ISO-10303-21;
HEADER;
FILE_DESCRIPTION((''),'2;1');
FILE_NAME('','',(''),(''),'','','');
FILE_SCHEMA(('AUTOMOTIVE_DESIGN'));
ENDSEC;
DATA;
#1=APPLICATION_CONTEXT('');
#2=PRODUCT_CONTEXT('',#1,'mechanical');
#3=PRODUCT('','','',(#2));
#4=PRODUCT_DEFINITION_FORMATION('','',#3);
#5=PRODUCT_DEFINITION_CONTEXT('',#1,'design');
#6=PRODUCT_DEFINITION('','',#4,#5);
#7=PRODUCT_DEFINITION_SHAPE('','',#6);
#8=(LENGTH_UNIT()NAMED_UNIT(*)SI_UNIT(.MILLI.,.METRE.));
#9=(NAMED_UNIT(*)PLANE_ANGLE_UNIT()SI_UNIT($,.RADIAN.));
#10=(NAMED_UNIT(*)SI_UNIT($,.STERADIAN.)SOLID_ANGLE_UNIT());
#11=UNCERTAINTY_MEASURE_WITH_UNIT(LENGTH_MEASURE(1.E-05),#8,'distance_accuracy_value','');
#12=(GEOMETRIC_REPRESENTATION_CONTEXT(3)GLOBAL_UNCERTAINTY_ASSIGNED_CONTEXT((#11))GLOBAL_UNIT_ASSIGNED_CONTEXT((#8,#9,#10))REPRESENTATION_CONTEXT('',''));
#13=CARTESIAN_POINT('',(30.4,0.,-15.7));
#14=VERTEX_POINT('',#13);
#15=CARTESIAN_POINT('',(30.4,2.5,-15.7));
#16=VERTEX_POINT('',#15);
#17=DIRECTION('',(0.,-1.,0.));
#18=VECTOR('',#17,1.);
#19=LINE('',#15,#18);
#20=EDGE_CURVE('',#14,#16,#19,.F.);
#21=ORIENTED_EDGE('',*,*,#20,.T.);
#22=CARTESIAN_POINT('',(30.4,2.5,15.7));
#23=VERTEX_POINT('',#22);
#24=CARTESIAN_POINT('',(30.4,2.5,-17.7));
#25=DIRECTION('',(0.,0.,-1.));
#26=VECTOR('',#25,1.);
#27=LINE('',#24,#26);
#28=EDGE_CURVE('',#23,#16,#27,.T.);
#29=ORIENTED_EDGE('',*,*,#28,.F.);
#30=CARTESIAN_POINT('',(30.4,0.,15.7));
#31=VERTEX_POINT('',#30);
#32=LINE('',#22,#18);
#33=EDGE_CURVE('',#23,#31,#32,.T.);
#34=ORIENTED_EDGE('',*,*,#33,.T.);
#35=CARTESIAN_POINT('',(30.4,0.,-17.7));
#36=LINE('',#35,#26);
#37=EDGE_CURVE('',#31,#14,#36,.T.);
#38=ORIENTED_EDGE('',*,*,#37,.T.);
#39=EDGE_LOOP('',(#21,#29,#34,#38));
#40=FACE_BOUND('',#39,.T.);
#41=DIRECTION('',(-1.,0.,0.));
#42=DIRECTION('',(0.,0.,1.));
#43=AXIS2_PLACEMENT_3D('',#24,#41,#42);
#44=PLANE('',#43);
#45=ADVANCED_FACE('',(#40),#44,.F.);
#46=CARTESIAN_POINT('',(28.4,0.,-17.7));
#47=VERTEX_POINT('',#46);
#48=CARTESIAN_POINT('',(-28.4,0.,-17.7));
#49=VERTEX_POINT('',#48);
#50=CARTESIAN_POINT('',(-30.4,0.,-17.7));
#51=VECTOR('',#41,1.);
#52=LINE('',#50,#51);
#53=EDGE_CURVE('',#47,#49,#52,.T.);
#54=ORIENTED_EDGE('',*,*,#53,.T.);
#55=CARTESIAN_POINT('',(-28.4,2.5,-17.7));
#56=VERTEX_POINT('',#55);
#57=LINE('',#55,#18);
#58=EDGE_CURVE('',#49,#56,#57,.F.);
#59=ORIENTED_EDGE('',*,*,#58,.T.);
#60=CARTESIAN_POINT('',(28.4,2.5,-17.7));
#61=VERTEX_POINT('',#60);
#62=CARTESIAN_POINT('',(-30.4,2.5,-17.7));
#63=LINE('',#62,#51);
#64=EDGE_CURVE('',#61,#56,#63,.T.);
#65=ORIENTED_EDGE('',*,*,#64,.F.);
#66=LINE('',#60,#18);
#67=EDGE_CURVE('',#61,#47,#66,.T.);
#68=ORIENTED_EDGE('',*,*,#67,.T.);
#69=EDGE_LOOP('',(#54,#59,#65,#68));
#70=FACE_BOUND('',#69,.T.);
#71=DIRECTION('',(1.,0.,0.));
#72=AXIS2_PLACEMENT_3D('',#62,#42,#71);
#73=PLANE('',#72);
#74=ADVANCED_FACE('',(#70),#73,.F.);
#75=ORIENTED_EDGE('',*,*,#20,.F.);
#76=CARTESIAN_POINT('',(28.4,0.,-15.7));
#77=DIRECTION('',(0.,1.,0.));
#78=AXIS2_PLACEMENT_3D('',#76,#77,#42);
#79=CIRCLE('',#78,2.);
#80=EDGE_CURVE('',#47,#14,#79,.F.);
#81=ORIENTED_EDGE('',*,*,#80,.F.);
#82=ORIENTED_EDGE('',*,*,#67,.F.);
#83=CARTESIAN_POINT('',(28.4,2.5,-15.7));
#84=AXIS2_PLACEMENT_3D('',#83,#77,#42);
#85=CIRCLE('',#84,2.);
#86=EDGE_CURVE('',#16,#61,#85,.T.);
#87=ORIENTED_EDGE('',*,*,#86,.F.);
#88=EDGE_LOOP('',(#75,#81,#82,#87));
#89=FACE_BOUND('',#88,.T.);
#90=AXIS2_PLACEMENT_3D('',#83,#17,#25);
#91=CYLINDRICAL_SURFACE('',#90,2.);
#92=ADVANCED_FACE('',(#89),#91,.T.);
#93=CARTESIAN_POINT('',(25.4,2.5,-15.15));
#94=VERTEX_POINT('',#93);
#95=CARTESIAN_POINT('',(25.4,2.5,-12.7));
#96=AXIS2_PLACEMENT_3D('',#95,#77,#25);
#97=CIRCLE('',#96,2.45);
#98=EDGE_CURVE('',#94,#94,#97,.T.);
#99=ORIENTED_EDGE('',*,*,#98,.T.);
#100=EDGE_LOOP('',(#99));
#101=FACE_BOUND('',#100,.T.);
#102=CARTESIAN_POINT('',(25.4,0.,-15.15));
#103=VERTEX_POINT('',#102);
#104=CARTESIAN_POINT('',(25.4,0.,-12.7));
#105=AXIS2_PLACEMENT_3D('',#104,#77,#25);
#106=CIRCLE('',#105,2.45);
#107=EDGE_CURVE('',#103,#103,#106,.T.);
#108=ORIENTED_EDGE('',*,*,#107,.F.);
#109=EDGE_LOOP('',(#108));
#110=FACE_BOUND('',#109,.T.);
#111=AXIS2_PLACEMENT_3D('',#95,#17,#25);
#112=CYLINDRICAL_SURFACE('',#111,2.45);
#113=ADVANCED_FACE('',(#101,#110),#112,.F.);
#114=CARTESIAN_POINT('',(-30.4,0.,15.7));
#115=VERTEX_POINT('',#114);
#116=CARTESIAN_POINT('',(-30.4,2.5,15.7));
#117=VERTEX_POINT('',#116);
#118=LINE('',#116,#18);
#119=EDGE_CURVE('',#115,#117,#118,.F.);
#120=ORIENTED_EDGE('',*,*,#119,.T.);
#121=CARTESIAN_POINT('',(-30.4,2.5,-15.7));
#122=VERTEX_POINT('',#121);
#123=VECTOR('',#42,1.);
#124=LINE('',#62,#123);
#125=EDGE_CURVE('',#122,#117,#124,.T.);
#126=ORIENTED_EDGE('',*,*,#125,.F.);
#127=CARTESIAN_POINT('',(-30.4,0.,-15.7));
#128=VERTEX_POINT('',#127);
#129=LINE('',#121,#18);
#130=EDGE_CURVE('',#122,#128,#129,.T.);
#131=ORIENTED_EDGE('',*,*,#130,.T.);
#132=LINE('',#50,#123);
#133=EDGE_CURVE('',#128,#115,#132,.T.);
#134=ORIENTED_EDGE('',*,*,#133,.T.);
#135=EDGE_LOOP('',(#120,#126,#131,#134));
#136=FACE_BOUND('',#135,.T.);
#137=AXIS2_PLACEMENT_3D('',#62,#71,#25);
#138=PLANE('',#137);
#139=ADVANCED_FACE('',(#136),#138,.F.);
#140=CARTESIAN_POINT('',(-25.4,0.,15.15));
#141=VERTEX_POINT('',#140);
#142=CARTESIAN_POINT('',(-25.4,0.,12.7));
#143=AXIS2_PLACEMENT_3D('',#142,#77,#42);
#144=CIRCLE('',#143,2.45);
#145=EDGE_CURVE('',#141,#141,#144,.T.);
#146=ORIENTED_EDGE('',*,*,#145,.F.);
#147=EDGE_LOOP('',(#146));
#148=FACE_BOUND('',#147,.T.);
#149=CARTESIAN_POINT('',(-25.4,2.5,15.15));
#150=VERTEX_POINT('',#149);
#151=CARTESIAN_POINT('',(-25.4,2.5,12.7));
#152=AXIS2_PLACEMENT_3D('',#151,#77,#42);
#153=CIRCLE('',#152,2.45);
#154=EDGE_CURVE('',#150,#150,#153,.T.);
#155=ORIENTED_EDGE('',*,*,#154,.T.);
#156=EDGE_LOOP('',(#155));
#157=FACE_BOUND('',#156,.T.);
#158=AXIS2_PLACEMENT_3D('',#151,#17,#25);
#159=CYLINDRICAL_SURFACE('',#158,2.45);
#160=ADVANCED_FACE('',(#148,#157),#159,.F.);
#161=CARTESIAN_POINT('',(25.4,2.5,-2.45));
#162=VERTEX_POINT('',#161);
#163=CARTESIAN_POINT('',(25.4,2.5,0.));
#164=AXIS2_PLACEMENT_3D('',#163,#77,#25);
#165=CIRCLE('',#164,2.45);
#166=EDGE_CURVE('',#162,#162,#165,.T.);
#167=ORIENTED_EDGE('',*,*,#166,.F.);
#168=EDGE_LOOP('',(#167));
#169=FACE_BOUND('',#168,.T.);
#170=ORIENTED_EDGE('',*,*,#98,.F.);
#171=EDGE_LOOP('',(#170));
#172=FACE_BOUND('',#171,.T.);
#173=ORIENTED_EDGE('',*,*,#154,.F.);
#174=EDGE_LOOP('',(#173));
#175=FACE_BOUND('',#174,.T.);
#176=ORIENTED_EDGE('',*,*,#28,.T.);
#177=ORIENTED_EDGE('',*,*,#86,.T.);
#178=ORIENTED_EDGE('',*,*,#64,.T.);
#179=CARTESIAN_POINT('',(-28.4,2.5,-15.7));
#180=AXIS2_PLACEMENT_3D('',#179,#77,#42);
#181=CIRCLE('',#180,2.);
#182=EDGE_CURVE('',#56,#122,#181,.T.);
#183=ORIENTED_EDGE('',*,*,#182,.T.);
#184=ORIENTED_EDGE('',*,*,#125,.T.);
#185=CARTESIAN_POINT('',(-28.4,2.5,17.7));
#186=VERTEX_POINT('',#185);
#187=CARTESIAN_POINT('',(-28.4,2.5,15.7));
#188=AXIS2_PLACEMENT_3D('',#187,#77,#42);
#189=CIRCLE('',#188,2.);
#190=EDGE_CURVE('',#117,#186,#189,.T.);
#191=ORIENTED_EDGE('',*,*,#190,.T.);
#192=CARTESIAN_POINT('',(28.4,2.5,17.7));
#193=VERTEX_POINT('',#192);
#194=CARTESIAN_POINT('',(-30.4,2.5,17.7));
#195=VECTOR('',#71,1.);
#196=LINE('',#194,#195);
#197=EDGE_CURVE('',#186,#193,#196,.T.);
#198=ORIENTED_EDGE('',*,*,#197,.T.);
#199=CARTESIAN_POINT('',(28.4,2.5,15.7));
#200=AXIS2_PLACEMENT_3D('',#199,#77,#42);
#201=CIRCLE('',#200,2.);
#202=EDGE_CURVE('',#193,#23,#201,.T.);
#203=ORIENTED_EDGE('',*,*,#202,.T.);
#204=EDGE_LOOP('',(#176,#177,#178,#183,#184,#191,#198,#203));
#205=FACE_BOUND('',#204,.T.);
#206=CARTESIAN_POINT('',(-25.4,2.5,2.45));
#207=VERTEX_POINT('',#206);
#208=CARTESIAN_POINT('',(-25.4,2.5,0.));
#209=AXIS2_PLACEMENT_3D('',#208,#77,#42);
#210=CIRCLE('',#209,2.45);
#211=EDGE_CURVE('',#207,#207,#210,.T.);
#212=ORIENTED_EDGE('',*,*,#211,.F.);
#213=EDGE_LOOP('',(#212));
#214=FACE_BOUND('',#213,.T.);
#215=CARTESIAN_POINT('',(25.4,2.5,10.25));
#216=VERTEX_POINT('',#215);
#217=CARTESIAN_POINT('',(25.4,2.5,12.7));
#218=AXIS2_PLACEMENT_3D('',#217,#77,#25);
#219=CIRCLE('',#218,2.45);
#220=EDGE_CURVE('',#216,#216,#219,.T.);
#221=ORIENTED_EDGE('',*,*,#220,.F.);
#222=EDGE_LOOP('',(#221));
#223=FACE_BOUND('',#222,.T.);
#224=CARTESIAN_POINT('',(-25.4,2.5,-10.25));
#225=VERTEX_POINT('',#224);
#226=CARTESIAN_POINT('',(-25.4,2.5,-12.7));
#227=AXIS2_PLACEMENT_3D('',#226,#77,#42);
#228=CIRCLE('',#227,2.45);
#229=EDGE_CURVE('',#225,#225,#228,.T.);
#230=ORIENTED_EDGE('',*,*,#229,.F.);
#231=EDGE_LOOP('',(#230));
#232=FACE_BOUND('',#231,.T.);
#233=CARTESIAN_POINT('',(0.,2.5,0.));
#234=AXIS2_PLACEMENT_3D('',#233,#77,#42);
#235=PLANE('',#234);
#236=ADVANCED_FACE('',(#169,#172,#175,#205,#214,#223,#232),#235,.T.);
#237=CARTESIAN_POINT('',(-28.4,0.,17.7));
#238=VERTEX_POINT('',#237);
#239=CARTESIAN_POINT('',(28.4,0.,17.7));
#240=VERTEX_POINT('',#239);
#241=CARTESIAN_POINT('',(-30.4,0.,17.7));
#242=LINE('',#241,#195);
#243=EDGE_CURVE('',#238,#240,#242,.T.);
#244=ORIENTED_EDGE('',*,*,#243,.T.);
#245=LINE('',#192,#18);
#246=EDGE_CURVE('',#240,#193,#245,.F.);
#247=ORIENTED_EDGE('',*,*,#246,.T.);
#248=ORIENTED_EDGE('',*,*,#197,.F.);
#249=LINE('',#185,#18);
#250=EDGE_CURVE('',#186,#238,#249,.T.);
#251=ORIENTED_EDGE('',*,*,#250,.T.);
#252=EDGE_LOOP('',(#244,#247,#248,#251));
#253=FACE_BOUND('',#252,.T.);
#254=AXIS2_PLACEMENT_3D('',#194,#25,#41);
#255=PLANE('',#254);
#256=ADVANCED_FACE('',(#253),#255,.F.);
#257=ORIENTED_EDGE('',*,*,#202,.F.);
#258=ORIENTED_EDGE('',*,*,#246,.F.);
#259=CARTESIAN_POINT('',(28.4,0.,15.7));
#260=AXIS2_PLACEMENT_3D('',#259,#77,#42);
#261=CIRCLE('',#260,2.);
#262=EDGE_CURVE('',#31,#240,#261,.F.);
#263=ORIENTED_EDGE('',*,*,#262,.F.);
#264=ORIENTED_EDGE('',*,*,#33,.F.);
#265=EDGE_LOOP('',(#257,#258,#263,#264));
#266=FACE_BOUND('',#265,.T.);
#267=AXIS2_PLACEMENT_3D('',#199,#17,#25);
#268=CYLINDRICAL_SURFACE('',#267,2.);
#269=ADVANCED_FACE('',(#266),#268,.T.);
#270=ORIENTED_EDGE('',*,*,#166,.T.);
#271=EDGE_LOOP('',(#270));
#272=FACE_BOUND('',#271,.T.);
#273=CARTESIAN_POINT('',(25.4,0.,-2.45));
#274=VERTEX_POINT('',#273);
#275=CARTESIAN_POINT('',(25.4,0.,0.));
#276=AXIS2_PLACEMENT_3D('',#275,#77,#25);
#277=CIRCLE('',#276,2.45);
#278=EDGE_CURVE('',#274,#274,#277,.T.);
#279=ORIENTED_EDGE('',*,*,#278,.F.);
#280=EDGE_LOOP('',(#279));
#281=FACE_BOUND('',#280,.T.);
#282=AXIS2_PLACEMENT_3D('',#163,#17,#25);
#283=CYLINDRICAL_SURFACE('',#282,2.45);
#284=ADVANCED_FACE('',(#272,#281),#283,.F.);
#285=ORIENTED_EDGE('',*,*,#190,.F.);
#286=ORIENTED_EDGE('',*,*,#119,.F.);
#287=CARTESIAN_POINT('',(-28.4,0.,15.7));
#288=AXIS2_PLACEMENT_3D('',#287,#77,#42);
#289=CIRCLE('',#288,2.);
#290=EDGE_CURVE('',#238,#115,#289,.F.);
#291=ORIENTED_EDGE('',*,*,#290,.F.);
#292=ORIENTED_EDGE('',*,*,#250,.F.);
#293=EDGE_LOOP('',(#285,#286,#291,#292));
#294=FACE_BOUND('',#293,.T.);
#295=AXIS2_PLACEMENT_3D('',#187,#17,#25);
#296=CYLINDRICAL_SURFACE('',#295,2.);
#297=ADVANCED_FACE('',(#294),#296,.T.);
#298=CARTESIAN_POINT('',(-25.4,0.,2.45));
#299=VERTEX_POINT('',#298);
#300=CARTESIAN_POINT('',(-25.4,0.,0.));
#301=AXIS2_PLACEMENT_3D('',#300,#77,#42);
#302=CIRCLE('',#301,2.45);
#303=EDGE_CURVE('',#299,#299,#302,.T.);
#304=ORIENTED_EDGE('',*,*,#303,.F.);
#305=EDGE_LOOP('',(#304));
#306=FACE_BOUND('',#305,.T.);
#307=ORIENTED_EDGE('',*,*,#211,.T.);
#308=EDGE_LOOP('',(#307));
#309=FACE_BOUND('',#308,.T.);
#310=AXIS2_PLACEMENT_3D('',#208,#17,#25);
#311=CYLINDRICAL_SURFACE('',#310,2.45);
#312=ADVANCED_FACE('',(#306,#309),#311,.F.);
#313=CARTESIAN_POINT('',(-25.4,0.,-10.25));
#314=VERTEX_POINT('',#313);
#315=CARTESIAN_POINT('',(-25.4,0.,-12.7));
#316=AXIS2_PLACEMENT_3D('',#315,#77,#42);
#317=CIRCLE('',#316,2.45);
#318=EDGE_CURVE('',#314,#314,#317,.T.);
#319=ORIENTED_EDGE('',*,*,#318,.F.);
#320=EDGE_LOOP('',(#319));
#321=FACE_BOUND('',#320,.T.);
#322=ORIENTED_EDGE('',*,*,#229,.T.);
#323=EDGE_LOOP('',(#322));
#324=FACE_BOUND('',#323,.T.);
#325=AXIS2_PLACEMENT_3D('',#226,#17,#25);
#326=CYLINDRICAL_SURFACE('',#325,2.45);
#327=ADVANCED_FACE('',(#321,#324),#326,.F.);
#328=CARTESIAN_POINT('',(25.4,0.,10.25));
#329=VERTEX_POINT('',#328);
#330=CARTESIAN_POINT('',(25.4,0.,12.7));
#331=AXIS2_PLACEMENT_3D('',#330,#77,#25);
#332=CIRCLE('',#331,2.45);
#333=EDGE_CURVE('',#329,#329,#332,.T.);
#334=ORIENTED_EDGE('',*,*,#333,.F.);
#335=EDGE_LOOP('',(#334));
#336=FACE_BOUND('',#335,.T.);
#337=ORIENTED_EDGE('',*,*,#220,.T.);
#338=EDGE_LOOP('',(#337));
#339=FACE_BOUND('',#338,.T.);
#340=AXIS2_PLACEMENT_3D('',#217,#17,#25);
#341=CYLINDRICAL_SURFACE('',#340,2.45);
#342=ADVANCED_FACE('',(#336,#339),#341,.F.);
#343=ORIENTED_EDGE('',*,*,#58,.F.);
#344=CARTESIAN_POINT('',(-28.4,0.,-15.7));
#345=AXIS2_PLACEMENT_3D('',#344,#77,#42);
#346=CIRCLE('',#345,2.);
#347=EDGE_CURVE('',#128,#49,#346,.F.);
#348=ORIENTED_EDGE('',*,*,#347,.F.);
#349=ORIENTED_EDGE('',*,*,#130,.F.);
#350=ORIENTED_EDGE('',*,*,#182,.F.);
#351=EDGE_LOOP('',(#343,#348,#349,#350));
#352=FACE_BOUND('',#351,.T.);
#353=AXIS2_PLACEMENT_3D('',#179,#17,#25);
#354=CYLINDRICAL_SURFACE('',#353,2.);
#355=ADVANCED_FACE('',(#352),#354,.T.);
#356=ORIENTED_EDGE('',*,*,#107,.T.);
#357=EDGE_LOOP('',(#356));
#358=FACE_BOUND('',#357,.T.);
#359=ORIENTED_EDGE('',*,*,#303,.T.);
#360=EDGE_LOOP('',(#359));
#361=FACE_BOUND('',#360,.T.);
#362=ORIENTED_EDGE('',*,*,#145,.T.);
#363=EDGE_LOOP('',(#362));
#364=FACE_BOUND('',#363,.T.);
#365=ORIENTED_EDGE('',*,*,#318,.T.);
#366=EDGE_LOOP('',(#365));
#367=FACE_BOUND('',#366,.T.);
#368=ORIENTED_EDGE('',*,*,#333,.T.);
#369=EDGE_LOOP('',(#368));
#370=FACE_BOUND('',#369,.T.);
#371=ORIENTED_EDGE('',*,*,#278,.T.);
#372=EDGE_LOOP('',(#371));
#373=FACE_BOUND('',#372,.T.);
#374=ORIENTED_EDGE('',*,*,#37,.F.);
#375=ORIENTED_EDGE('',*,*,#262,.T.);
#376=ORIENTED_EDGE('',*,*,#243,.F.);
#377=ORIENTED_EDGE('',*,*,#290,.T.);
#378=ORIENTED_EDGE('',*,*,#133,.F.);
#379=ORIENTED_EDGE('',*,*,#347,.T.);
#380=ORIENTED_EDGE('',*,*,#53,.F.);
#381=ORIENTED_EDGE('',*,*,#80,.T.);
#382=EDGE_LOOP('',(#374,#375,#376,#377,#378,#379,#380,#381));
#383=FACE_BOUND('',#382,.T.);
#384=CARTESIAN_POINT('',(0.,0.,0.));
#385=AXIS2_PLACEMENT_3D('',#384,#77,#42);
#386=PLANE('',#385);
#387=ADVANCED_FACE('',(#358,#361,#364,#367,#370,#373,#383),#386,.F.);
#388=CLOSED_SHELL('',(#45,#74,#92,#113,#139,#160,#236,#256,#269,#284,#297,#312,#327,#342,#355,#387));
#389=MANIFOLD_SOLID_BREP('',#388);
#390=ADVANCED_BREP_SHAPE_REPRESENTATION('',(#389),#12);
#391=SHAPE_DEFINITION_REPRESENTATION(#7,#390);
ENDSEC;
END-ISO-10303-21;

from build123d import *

# Parameters (mm, degrees)
CROQUIS1_W              = 60.8
CROQUIS1_H              = 35.4
CROQUIS1_R              = 2.45
SALIENTE_EXTRUIR1_DEPTH = 2.5
REDONDEO1_R             = 2


with BuildPart() as part:
    # Croquis1 → Saliente-Extruir1 (new body)
    with BuildSketch(Plane(origin=(0, 0, 0), x_dir=(1, 0, 0), z_dir=(0, 1, 0))):
        Rectangle(CROQUIS1_W, CROQUIS1_H)
        with Locations(Location((-25.4, 12.7, 0), (0, 0, 270))):
            Circle(CROQUIS1_R, mode=Mode.SUBTRACT)
        with Locations(Location((-25.4, 0, 0), (0, 0, 270))):
            Circle(CROQUIS1_R, mode=Mode.SUBTRACT)
        with Locations(Location((-25.4, -12.7, 0), (0, 0, 270))):
            Circle(CROQUIS1_R, mode=Mode.SUBTRACT)
        with Locations(Location((25.4, -12.7, 0), (0, 0, 90))):
            Circle(CROQUIS1_R, mode=Mode.SUBTRACT)
        with Locations(Location((25.4, 0, 0), (0, 0, 90))):
            Circle(CROQUIS1_R, mode=Mode.SUBTRACT)
        with Locations(Location((25.4, 12.7, 0), (0, 0, 90))):
            Circle(CROQUIS1_R, mode=Mode.SUBTRACT)
    extrude(amount=SALIENTE_EXTRUIR1_DEPTH)

    # Redondeo1
    redondeo1_edges = [part.edges().sort_by_distance(p)[0] for p in [
        (30.4, 1.25, 17.7),
        (-30.4, 1.25, 17.7),
        (-30.4, 1.25, -17.7),
        (30.4, 1.25, -17.7),
    ]]
    fillet(redondeo1_edges, radius=REDONDEO1_R)


solid = part.part
